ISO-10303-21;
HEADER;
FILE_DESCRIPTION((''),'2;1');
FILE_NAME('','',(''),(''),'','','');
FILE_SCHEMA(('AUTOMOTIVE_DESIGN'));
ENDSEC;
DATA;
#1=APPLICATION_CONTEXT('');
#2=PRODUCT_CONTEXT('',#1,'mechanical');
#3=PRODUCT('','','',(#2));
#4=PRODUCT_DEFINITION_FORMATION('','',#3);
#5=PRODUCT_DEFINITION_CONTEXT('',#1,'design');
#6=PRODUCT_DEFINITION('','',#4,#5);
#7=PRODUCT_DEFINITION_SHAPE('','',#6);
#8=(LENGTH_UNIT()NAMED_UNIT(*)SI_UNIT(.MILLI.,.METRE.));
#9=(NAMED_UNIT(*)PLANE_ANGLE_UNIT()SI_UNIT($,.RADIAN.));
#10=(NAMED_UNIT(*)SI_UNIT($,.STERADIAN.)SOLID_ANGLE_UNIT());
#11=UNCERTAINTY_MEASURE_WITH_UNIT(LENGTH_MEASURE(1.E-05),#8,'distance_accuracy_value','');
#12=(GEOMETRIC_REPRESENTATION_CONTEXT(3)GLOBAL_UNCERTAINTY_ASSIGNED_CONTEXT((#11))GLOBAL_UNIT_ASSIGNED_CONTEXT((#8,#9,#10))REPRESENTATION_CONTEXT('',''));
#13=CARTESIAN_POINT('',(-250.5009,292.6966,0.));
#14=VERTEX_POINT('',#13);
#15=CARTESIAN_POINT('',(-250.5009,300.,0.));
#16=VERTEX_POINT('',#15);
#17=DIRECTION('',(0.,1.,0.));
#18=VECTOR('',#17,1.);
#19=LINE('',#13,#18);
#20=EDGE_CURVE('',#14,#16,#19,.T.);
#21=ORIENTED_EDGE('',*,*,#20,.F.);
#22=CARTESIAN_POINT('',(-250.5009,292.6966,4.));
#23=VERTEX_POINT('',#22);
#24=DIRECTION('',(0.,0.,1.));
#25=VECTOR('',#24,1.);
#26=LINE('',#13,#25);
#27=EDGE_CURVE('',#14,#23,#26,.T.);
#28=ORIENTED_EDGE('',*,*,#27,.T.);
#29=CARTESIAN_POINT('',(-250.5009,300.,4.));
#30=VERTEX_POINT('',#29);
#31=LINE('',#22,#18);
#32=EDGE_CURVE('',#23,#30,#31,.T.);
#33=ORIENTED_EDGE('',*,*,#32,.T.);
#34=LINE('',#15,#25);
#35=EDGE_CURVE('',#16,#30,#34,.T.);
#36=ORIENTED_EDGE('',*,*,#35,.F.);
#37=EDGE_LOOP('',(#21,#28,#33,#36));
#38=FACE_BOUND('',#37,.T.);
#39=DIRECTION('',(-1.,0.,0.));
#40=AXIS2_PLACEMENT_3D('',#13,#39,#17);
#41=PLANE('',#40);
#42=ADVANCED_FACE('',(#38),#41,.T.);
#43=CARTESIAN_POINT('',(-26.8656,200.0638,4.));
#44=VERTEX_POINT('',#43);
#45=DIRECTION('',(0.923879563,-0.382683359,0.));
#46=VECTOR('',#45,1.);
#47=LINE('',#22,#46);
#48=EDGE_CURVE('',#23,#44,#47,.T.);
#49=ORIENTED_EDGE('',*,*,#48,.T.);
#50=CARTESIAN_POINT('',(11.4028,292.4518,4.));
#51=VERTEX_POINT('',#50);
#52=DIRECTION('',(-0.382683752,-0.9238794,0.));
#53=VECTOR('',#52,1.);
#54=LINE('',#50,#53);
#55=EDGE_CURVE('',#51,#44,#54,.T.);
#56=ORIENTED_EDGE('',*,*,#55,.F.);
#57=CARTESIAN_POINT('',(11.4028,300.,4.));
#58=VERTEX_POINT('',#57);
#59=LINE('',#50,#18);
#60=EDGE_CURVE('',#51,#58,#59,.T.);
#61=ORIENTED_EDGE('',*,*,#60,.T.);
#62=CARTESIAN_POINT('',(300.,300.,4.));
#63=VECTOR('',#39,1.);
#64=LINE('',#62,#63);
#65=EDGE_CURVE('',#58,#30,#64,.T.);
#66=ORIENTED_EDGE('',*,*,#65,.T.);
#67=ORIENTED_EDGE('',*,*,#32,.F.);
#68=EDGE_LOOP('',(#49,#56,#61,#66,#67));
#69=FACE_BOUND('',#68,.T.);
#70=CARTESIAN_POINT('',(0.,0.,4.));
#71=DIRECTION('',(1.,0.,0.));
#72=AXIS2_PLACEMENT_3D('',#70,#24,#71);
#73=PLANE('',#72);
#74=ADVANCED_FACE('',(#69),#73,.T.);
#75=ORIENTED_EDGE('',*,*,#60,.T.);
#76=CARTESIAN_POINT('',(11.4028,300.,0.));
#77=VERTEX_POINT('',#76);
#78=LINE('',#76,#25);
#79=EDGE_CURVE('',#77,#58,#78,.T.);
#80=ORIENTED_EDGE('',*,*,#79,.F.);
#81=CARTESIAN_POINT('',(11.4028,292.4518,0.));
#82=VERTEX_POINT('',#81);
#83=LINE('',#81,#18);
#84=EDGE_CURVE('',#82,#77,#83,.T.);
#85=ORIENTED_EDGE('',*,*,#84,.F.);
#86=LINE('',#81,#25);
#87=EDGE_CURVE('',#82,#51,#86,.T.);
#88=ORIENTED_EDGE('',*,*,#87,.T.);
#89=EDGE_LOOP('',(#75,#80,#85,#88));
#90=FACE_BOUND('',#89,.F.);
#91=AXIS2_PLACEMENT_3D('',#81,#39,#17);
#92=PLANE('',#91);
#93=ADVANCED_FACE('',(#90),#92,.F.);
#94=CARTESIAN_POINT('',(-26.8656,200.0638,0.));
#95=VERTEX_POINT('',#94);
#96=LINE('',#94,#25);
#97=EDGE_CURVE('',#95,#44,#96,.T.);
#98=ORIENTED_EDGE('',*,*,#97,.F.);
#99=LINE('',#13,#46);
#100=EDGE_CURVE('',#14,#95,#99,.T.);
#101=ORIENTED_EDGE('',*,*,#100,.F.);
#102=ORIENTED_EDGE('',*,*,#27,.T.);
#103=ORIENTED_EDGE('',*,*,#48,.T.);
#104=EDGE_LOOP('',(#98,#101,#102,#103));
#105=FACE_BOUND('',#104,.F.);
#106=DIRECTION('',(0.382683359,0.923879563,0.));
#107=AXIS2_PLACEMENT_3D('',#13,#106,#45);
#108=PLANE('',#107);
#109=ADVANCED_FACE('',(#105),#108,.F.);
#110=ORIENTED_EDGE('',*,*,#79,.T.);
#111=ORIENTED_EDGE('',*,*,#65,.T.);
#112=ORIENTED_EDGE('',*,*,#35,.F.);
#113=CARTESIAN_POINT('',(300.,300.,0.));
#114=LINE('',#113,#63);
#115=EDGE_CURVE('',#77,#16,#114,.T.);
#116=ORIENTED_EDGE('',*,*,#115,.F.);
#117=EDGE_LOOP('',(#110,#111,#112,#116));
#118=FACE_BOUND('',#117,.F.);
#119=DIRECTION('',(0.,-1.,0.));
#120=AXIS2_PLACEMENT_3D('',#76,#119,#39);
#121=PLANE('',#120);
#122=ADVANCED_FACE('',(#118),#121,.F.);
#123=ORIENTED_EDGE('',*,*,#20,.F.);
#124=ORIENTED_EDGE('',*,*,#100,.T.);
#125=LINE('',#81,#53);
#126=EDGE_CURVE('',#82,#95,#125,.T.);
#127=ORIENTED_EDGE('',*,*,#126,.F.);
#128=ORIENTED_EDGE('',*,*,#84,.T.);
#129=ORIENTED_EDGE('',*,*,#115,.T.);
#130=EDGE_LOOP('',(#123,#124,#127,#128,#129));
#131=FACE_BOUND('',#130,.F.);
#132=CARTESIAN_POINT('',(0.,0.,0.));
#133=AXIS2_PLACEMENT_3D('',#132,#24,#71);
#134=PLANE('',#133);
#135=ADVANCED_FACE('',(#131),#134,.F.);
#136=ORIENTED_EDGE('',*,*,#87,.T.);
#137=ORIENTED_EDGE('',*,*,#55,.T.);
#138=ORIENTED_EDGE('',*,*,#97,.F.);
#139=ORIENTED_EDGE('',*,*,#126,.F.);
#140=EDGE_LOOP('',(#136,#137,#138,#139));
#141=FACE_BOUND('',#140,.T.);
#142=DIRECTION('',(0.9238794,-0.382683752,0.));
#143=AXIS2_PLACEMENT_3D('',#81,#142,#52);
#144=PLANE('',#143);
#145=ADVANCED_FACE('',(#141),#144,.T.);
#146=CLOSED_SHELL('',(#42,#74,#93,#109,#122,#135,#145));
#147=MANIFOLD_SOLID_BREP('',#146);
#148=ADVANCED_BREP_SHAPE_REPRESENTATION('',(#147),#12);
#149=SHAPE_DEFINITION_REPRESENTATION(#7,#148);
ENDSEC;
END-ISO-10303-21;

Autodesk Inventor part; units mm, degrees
ref_plane "YZ Plane" through (0, 0, 0) normal (1, 0, 0) x (0, 1, 0)
ref_plane "XZ Plane" through (0, 0, 0) normal (0, 1, 0) x (-1, 0, 0)
ref_plane "Work Plane1" through (0, 0, 0) normal (0, 0, 1) x (1, 0, 0)
sketch "Sketch1" plane through (0, 0, 0) normal (0, 0, 1) x (1, 0, 0)
  line L0 (11.4028, 292.4518) -> (-26.8656, 200.0638) projected
  line L1 (-250.5009, 292.6966) -> (303.8268, 63.0866) projected
  line L2 (300, 300) -> (-300, 300) projected
  line L3 (11.4028, 292.4518) -> (11.4028, 300)
  line L4 (-250.5009, 292.6966) -> (-250.5009, 300)
  point P0 (0, 0)
extrude "Extrusion1" add sketch "Sketch1" along normal blind 4
properties part number "ref3" material "Wood (Cherry)"
